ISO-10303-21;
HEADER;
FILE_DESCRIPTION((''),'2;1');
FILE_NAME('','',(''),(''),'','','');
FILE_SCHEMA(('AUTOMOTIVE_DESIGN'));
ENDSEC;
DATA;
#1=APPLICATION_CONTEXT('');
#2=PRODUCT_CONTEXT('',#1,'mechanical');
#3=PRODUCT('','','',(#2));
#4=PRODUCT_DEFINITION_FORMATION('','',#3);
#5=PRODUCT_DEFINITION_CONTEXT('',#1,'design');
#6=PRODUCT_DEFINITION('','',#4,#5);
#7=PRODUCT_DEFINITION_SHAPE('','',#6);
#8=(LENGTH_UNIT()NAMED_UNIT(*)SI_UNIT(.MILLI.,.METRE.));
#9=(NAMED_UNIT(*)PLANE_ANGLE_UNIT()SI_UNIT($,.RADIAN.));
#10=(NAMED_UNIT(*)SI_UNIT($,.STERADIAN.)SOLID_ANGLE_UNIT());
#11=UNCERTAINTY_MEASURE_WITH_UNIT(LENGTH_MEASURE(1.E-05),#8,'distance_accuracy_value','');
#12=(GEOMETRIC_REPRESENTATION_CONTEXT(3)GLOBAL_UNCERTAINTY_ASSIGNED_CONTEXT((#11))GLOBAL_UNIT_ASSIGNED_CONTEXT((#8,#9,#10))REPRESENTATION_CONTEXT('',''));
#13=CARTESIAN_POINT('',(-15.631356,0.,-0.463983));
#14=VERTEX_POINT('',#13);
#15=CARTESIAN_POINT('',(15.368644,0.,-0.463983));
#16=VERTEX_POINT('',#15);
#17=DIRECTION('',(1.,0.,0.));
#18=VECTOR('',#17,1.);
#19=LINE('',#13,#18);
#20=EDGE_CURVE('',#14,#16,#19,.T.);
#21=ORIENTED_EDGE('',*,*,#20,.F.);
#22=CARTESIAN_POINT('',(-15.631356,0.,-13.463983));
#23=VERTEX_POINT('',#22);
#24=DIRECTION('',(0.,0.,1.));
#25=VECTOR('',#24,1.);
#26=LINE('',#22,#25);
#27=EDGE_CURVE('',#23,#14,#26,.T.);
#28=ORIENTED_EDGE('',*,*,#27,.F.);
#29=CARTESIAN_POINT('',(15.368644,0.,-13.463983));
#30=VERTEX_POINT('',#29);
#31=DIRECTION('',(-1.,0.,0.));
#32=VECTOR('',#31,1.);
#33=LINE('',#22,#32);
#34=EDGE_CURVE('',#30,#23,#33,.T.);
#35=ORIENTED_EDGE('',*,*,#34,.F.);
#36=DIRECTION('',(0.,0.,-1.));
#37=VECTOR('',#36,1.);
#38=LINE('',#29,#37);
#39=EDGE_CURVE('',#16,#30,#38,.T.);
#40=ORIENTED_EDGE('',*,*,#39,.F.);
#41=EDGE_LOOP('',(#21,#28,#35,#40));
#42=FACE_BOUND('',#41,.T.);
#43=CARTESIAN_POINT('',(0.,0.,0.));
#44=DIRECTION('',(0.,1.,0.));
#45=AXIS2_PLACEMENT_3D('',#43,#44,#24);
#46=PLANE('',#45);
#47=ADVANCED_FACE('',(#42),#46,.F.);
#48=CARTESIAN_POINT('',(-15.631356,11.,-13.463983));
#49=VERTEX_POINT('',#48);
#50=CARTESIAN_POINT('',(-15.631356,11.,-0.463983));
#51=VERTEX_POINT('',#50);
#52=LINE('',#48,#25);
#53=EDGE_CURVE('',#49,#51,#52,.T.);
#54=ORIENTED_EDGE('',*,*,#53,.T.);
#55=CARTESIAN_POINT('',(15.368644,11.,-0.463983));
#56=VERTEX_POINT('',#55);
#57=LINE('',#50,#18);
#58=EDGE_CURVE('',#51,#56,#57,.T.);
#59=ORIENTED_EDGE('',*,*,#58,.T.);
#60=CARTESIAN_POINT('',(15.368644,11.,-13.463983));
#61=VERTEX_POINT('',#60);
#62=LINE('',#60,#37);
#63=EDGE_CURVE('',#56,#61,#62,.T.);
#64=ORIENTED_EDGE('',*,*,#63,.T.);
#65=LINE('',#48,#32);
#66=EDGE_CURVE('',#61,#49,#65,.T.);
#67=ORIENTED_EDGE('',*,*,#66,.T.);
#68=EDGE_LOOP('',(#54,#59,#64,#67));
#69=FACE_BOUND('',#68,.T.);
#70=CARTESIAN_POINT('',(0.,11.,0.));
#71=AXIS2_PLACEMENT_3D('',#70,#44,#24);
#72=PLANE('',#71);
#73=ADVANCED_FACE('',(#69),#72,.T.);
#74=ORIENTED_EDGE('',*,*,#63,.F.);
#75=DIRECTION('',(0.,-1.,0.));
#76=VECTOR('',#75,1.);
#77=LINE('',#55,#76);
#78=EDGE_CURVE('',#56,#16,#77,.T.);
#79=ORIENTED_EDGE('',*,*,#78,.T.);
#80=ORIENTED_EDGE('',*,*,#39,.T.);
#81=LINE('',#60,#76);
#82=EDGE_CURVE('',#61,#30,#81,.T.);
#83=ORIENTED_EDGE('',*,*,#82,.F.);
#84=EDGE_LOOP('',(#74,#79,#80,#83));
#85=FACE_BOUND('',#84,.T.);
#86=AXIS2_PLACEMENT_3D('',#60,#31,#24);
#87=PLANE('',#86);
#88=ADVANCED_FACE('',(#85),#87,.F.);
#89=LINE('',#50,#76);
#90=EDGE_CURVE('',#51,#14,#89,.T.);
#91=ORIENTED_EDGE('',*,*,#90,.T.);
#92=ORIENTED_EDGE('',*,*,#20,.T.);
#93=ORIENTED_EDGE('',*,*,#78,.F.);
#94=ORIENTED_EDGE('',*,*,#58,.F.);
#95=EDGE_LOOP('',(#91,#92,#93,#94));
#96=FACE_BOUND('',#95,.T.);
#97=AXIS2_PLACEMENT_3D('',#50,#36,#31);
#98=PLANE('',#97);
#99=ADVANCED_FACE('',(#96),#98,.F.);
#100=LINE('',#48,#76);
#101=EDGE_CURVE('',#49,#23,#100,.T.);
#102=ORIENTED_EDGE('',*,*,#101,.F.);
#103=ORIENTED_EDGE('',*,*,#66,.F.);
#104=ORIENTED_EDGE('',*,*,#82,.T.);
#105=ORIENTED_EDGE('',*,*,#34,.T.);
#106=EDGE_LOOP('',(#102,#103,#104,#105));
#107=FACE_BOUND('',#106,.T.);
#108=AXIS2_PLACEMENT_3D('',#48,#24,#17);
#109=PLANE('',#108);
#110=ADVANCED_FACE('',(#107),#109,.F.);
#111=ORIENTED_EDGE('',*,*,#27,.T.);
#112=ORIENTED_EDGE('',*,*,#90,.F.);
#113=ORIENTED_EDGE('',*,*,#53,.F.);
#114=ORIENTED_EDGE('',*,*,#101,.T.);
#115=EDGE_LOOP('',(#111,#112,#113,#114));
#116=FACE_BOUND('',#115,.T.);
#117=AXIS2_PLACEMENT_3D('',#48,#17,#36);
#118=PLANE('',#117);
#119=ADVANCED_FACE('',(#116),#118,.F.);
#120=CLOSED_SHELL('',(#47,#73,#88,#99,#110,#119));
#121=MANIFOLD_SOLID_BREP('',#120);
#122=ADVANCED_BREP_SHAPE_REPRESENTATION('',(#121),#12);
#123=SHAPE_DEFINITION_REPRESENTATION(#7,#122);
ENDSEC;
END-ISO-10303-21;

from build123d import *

# Parameters (mm, degrees)
SKETCH1_W           = 31
SKETCH1_H           = 13
BOSS_EXTRUDE1_DEPTH = 11


with BuildPart() as part:
    # Sketch1 → Boss-Extrude1 (new body)
    with BuildSketch(Plane(origin=(0, 0, 0), x_dir=(1, 0, 0), z_dir=(0, 1, 0))):
        with Locations((-0.131355932, 6.963983051)):
            Rectangle(SKETCH1_W, SKETCH1_H)
    extrude(amount=BOSS_EXTRUDE1_DEPTH)


solid = part.part
